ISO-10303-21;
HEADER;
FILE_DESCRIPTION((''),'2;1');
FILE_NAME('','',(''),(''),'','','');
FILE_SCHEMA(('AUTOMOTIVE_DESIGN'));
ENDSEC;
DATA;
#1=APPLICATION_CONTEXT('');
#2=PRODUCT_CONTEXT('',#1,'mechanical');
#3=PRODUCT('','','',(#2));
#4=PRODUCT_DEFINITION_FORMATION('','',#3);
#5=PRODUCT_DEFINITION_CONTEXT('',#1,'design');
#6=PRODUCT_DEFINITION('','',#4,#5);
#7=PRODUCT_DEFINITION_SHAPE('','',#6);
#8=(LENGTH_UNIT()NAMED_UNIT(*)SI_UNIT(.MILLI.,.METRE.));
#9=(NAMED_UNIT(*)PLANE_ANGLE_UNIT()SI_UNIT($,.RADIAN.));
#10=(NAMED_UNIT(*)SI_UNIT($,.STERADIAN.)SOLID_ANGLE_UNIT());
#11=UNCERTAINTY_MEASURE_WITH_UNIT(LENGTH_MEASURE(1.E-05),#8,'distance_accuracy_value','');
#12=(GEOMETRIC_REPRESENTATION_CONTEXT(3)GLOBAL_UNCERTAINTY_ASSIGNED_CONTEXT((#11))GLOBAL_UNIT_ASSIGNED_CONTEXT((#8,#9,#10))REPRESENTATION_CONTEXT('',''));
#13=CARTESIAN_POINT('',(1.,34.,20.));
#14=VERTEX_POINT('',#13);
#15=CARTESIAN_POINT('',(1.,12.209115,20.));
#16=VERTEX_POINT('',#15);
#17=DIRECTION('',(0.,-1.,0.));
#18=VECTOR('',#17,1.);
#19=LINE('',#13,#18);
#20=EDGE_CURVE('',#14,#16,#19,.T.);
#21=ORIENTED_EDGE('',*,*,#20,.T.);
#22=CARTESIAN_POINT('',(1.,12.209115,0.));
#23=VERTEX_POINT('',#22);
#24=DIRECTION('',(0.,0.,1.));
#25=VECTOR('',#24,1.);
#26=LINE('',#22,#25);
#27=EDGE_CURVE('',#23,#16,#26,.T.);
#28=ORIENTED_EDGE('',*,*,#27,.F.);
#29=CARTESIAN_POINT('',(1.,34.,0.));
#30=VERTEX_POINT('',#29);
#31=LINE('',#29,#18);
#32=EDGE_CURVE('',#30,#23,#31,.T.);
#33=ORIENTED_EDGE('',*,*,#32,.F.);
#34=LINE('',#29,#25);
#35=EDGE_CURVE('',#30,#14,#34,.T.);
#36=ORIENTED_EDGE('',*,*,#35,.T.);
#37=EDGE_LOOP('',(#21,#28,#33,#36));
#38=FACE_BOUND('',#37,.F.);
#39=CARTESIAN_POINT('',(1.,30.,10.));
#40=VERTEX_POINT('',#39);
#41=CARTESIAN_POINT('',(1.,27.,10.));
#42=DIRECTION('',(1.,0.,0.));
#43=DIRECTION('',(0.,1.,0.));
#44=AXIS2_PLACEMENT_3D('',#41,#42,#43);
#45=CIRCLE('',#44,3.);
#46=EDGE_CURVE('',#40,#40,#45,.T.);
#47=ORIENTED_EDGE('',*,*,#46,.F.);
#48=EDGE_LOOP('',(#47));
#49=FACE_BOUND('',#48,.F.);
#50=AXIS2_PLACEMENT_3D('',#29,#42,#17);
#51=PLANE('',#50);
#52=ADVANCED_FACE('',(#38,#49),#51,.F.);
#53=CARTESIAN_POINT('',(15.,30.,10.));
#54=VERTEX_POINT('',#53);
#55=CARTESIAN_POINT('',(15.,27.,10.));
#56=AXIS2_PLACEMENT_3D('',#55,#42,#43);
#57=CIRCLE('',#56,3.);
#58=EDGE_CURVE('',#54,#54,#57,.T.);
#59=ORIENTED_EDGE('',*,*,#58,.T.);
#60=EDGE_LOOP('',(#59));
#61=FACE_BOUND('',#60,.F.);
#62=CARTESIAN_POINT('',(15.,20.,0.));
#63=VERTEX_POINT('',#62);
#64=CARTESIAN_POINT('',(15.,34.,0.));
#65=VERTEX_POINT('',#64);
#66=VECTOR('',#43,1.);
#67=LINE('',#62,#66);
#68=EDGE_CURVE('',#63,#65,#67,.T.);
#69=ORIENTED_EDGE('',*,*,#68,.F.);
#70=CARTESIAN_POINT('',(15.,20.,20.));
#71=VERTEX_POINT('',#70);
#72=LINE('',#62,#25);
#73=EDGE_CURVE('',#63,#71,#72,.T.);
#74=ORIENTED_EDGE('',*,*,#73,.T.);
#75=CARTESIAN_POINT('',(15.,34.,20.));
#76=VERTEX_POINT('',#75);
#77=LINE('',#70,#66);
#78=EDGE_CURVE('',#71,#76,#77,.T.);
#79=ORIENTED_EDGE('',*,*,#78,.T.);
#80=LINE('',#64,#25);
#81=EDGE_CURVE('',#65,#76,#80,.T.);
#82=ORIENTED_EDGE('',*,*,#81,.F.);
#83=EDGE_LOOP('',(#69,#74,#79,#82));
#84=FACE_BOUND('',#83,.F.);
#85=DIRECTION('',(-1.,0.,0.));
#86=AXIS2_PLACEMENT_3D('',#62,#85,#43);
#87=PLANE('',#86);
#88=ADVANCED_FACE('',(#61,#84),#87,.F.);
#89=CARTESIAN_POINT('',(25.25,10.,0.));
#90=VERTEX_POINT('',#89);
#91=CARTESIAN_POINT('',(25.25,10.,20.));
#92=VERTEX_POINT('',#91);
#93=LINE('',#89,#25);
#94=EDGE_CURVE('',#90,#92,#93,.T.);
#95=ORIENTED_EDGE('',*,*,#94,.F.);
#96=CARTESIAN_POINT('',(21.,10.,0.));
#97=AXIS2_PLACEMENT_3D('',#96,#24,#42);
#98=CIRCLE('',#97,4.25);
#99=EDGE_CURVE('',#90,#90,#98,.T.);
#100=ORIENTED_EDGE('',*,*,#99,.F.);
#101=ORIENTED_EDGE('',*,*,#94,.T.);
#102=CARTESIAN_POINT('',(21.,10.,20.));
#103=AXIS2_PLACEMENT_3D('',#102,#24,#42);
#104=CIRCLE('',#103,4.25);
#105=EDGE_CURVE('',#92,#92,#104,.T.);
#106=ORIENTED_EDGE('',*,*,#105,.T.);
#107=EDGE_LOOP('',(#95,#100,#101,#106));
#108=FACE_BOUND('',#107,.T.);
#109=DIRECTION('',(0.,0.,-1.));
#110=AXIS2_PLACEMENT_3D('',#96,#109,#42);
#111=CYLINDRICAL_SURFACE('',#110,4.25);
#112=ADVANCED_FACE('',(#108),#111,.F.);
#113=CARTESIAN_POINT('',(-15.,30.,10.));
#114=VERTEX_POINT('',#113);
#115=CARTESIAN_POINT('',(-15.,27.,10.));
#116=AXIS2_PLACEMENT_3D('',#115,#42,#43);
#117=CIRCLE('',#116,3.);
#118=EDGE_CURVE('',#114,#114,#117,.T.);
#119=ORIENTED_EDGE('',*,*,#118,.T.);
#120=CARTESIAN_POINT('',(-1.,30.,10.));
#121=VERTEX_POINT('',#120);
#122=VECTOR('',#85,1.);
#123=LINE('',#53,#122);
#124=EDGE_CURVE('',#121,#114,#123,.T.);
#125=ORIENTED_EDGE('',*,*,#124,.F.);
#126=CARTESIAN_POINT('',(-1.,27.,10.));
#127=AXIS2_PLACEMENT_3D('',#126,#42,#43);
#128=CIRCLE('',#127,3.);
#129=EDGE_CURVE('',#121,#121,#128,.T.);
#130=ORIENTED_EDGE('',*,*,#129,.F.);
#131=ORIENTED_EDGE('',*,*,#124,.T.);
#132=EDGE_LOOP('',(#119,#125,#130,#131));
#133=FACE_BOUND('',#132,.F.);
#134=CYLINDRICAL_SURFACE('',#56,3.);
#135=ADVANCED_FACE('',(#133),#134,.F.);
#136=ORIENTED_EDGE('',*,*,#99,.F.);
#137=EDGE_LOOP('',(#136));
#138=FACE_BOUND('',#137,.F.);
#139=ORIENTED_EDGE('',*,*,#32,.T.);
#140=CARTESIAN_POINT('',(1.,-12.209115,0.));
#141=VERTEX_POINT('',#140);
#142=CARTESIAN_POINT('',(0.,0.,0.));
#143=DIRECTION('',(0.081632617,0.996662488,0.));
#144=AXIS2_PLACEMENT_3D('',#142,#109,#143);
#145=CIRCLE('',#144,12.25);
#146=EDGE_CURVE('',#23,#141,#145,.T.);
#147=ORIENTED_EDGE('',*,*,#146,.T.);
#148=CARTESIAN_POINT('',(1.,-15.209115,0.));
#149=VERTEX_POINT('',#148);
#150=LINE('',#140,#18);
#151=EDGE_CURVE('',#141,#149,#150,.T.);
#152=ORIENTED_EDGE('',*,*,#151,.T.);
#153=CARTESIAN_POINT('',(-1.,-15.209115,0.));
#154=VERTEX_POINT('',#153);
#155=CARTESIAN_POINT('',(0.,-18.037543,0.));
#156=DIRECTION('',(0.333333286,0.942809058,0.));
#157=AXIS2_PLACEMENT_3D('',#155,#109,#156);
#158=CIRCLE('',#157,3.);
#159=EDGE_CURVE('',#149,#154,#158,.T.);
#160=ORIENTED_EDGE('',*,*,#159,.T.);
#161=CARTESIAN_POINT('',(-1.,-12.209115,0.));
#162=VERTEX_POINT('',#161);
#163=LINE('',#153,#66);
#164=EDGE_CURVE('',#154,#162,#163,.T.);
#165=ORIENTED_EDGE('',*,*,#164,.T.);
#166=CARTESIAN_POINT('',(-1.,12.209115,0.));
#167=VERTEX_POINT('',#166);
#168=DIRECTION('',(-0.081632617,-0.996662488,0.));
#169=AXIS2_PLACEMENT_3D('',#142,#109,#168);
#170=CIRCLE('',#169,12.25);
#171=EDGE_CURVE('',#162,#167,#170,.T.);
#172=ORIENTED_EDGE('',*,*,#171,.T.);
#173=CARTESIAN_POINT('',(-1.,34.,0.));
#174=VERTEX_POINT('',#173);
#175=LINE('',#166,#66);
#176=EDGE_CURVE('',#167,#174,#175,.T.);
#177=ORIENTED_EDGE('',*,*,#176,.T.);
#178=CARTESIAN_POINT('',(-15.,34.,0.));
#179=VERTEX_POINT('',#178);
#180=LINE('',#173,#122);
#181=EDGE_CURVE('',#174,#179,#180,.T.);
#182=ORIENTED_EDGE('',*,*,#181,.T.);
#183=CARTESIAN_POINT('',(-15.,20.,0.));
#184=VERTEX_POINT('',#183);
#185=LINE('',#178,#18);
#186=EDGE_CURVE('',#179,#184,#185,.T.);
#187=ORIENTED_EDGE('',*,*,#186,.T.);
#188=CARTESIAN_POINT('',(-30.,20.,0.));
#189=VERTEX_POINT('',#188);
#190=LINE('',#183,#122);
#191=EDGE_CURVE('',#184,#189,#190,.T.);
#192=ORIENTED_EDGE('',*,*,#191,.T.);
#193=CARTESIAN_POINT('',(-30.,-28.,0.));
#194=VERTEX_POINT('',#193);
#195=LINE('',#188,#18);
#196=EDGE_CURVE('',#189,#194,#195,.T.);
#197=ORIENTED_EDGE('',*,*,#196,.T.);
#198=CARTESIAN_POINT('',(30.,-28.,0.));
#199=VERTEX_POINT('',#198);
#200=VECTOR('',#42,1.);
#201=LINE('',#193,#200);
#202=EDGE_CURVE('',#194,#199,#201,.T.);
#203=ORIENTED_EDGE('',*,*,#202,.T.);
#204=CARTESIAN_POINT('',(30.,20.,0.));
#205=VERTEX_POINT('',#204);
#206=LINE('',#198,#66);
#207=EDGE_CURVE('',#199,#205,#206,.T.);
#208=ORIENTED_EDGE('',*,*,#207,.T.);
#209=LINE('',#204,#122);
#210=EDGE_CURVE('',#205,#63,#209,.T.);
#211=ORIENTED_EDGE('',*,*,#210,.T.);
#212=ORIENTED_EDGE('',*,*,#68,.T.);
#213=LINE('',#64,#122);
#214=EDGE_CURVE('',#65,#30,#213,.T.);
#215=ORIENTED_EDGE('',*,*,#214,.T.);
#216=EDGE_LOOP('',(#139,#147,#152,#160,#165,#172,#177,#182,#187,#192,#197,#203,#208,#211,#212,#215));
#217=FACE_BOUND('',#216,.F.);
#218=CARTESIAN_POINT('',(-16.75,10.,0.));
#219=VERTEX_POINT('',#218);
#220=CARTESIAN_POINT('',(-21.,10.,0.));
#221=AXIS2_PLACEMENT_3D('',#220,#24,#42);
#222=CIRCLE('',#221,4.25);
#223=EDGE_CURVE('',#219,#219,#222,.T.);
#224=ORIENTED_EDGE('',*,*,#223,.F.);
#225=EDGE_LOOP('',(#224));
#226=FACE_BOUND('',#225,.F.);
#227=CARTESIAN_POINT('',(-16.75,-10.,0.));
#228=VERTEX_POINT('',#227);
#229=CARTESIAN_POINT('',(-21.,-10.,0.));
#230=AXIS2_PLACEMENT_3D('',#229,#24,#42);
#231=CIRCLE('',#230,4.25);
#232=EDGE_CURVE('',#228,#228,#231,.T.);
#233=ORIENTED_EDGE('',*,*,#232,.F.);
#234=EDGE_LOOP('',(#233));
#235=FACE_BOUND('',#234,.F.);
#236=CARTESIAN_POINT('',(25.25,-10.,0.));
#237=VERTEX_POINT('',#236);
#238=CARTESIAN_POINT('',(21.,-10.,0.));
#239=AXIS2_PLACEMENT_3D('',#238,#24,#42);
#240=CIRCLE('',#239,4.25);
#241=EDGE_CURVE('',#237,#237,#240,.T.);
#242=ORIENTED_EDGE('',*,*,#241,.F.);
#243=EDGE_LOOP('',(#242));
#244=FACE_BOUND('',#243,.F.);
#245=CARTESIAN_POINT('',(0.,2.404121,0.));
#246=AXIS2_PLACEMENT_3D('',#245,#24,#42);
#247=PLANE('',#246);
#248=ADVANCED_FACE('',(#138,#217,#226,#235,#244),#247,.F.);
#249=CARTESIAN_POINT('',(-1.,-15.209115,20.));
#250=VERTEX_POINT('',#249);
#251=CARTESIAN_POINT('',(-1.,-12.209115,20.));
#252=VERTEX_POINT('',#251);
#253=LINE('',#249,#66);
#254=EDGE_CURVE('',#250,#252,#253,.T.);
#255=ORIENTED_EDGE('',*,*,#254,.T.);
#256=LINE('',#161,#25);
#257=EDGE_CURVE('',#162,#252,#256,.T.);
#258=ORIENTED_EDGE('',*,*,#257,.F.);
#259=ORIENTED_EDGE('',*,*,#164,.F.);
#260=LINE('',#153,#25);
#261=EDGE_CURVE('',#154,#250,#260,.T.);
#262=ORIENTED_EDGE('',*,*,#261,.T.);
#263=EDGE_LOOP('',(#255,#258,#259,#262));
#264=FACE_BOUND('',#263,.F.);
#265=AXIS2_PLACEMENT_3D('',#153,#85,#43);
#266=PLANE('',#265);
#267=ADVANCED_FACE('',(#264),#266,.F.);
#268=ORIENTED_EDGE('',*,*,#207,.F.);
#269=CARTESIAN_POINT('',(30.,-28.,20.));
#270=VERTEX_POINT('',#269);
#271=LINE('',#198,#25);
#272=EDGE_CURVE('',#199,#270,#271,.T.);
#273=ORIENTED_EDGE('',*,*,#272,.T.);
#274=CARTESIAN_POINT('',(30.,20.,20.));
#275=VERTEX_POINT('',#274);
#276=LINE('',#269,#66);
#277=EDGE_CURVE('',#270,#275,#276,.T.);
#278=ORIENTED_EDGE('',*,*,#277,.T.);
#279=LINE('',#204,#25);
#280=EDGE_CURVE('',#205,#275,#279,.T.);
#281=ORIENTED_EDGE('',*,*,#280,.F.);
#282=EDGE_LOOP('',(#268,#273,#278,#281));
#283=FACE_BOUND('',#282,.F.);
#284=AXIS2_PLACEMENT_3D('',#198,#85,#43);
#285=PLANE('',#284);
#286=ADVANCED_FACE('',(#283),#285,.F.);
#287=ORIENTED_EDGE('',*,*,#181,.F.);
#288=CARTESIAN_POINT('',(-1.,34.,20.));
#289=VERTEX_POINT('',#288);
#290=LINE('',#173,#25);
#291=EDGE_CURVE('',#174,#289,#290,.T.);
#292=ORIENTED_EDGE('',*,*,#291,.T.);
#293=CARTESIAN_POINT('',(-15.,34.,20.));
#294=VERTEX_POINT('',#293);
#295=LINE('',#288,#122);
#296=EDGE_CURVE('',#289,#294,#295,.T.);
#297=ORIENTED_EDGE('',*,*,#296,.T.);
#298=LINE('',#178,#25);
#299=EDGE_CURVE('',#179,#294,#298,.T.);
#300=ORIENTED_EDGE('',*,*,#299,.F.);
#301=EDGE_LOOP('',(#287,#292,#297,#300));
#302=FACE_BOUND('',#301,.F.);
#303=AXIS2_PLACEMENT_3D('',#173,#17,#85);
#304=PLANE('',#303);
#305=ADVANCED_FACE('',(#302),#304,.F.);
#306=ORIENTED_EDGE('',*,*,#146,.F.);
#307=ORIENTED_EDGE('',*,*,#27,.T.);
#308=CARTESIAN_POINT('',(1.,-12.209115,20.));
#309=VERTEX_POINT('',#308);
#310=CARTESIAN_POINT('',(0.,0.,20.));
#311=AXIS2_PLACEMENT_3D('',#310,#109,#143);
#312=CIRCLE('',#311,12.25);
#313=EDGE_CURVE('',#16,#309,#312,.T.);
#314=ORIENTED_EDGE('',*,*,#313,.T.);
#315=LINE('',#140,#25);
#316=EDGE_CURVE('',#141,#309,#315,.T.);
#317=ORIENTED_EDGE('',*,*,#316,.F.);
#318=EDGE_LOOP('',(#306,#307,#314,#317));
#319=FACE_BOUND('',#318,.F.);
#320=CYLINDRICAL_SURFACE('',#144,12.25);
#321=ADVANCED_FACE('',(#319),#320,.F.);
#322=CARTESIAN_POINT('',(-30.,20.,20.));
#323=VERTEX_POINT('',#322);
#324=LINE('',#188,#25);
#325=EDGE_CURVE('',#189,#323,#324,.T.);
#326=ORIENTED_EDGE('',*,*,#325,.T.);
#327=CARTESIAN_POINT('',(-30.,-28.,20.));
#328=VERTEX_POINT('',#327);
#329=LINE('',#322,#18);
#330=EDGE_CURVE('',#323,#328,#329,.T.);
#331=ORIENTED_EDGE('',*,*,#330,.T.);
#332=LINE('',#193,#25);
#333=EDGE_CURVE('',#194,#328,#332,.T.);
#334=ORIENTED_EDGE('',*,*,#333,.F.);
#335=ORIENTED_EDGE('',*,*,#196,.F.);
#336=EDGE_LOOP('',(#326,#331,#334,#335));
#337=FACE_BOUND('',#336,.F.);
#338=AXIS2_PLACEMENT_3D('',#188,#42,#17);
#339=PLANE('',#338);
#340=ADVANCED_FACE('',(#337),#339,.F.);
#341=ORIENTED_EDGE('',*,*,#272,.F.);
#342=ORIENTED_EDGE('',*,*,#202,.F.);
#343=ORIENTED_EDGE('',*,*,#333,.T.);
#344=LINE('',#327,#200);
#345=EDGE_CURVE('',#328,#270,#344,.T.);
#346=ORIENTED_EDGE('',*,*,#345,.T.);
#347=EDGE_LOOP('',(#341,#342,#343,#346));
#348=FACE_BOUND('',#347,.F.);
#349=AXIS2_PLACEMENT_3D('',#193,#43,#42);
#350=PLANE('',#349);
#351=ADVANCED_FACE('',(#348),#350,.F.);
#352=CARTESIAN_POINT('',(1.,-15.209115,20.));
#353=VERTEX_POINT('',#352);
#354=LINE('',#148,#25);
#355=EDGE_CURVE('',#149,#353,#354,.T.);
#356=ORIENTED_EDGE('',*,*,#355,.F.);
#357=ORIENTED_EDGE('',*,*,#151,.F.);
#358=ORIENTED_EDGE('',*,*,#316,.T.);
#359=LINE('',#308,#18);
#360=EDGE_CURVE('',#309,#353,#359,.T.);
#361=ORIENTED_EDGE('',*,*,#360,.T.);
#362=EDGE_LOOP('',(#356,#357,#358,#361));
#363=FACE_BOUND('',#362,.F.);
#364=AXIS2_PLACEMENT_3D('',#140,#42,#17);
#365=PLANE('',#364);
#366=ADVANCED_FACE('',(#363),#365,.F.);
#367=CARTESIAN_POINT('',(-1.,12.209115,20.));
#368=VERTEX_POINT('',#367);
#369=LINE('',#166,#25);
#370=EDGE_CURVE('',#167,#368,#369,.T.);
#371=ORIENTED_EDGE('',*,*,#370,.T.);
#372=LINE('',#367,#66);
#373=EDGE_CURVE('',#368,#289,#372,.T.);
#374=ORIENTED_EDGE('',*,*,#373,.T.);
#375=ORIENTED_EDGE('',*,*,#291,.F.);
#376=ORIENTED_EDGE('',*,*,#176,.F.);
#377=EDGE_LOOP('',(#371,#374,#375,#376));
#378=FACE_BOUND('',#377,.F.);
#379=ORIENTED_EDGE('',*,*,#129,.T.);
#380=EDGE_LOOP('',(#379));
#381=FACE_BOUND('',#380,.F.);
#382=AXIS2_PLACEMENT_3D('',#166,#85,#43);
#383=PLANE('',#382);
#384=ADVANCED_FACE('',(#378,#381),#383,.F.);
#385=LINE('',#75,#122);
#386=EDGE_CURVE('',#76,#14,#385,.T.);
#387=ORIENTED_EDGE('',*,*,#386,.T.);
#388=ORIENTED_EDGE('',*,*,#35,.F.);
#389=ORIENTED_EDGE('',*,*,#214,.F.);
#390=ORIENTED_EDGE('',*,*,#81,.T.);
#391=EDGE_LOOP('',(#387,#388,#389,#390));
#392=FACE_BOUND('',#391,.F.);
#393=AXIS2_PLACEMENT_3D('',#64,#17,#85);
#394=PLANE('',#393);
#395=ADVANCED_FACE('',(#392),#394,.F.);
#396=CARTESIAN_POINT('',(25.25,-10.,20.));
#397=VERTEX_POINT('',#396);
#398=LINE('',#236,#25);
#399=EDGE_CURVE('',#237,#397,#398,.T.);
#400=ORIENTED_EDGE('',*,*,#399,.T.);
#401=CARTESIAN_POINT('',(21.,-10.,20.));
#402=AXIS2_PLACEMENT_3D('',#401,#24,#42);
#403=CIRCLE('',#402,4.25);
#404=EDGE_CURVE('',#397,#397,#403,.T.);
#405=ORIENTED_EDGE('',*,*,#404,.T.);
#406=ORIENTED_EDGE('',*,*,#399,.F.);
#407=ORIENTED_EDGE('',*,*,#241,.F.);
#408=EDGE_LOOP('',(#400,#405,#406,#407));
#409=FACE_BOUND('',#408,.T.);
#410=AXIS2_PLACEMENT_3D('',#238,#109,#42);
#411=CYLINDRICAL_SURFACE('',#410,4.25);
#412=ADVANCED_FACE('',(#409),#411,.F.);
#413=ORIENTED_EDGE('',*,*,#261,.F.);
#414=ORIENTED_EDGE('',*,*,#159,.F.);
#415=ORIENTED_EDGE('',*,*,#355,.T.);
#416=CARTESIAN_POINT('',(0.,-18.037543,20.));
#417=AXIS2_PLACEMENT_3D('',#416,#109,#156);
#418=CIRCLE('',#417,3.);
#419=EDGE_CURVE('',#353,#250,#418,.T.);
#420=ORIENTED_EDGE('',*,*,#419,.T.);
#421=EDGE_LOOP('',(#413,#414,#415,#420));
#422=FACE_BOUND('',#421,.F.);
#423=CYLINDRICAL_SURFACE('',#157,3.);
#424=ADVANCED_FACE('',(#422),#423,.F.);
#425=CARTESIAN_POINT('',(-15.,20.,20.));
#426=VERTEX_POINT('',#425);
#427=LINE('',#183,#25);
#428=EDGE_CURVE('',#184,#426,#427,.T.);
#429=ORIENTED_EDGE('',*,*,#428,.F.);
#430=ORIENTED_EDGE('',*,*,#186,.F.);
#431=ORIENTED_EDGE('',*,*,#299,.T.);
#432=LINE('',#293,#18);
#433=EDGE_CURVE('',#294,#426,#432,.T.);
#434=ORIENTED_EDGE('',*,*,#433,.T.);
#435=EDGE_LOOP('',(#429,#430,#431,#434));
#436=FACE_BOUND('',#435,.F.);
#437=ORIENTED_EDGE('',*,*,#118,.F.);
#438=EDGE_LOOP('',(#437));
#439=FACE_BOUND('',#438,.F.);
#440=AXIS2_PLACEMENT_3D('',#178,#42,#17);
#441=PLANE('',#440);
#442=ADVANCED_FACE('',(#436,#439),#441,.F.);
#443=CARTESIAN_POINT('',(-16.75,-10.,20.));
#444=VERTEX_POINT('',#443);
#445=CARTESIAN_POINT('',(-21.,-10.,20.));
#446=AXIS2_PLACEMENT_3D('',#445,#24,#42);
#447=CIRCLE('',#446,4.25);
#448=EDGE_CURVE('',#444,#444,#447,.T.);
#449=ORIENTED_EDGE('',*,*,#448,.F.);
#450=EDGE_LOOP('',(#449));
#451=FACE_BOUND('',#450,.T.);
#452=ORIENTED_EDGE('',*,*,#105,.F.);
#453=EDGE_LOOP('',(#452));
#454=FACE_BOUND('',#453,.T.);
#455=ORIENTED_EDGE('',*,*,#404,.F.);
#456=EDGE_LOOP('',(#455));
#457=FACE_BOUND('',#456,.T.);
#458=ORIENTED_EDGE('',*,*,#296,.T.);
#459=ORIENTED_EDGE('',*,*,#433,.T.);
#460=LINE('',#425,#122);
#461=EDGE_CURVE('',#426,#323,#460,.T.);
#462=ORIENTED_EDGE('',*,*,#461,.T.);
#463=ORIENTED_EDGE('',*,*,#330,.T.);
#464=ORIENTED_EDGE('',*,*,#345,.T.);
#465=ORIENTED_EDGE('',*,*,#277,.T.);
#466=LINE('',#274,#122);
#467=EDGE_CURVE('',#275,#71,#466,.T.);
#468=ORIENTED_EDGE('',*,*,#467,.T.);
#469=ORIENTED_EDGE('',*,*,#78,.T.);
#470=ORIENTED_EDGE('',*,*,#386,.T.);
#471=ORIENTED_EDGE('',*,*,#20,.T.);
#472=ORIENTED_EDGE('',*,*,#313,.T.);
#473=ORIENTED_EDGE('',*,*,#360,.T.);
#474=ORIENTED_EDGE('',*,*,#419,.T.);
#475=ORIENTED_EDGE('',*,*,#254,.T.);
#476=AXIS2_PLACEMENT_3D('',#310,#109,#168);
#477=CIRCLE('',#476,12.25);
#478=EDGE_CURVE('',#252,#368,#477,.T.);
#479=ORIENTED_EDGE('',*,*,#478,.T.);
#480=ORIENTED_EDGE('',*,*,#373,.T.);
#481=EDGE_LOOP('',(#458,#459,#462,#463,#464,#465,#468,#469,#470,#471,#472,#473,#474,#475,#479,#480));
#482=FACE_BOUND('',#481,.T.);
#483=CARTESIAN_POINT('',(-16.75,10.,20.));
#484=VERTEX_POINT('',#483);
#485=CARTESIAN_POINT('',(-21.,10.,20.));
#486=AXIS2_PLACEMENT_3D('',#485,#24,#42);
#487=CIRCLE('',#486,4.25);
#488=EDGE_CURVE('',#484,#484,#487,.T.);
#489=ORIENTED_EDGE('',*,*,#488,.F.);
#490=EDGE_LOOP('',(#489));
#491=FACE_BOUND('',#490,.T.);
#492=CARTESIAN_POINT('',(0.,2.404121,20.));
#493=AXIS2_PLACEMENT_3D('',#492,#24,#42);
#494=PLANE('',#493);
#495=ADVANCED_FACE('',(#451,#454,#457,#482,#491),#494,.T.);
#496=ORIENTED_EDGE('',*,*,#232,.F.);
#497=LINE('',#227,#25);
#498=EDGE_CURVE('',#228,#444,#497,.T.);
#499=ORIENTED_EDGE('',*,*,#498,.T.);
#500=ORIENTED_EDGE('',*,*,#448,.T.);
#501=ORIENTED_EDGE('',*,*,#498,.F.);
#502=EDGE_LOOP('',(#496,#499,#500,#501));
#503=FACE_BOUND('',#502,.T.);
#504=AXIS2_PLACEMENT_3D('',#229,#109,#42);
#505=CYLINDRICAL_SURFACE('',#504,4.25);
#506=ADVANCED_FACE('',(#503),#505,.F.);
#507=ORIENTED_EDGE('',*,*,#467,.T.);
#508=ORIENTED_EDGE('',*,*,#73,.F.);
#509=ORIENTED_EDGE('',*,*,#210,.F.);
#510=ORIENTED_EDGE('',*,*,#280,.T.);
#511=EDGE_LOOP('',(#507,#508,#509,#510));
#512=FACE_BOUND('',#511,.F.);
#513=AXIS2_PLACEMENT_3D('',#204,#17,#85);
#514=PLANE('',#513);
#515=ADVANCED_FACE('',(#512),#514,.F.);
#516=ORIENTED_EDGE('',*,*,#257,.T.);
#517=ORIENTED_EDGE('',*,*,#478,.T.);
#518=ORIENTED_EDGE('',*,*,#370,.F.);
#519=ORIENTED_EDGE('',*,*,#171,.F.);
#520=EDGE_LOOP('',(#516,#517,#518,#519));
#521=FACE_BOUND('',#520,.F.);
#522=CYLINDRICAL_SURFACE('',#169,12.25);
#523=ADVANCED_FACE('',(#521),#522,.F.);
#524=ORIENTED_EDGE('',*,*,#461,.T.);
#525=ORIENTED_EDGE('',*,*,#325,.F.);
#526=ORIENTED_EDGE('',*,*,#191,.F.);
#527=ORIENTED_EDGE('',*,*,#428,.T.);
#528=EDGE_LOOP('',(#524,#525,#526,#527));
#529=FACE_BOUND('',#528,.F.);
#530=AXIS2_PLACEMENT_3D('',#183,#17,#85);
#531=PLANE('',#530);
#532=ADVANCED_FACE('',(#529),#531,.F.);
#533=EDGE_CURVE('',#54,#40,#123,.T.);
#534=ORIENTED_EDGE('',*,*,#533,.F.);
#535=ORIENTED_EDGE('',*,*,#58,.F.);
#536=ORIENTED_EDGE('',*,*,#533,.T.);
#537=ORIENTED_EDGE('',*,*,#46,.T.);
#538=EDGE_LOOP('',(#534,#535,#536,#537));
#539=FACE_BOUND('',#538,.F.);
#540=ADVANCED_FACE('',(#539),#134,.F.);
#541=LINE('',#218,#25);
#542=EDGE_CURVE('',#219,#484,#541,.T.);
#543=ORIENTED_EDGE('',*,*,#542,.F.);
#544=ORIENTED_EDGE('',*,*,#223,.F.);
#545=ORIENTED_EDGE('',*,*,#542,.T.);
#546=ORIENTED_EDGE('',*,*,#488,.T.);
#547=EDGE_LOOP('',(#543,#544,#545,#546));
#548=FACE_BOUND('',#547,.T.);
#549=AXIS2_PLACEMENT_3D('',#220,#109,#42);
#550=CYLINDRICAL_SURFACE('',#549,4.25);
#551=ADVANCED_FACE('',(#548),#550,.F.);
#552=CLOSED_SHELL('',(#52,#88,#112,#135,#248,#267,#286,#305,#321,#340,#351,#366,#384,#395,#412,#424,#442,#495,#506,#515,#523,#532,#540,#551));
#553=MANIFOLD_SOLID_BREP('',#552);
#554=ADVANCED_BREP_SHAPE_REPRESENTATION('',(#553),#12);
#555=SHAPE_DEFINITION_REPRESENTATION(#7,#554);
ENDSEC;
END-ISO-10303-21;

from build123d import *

# Parameters (mm, degrees)
F0_R     = 4.25
F1_DEPTH = 20
F2_R     = 3
F3_DEPTH = 30


with BuildPart() as f1:
    # F0 (on Top) → F1 (new body)
    with BuildSketch(Plane.XY):
        with BuildLine():
            Line((-1, 34), (-15, 34))
            Line((-15, 34), (-15, 20))
            Line((-15, 20), (-30, 20))
            Line((-30, 20), (-30, -28))
            Line((-30, -28), (30, -28))
            Line((30, -28), (30, 20))
            Line((30, 20), (15, 20))
            Line((15, 20), (15, 34))
            Line((15, 34), (1, 34))
            Line((1, 34), (1, 12.209115))
            ThreePointArc((1, 12.209115), (12.25, 0), (1, -12.209115))
            Line((1, -12.209115), (1, -15.209115))
            ThreePointArc((1, -15.209115), (0, -21.037543), (-1, -15.209115))
            Line((-1, -15.209115), (-1, -12.209115))
            ThreePointArc((-1, -12.209115), (-12.25, 0), (-1, 12.209115))
            Line((-1, 12.209115), (-1, 34))
        make_face()
        with Locations((-21, -10)):
            Circle(F0_R, mode=Mode.SUBTRACT)
        with Locations((21, -10)):
            Circle(F0_R, mode=Mode.SUBTRACT)
        with Locations((-21, 10)):
            Circle(F0_R, mode=Mode.SUBTRACT)
        with Locations((21, 10)):
            Circle(F0_R, mode=Mode.SUBTRACT)
    extrude(amount=F1_DEPTH)

    # F2 (on face) → F3 (cut)
    with BuildSketch(Plane.YZ.offset(15)):
        with Locations((27, 10)):
            Circle(F2_R)
    extrude(amount=-F3_DEPTH, mode=Mode.SUBTRACT)


solid = f1.part
